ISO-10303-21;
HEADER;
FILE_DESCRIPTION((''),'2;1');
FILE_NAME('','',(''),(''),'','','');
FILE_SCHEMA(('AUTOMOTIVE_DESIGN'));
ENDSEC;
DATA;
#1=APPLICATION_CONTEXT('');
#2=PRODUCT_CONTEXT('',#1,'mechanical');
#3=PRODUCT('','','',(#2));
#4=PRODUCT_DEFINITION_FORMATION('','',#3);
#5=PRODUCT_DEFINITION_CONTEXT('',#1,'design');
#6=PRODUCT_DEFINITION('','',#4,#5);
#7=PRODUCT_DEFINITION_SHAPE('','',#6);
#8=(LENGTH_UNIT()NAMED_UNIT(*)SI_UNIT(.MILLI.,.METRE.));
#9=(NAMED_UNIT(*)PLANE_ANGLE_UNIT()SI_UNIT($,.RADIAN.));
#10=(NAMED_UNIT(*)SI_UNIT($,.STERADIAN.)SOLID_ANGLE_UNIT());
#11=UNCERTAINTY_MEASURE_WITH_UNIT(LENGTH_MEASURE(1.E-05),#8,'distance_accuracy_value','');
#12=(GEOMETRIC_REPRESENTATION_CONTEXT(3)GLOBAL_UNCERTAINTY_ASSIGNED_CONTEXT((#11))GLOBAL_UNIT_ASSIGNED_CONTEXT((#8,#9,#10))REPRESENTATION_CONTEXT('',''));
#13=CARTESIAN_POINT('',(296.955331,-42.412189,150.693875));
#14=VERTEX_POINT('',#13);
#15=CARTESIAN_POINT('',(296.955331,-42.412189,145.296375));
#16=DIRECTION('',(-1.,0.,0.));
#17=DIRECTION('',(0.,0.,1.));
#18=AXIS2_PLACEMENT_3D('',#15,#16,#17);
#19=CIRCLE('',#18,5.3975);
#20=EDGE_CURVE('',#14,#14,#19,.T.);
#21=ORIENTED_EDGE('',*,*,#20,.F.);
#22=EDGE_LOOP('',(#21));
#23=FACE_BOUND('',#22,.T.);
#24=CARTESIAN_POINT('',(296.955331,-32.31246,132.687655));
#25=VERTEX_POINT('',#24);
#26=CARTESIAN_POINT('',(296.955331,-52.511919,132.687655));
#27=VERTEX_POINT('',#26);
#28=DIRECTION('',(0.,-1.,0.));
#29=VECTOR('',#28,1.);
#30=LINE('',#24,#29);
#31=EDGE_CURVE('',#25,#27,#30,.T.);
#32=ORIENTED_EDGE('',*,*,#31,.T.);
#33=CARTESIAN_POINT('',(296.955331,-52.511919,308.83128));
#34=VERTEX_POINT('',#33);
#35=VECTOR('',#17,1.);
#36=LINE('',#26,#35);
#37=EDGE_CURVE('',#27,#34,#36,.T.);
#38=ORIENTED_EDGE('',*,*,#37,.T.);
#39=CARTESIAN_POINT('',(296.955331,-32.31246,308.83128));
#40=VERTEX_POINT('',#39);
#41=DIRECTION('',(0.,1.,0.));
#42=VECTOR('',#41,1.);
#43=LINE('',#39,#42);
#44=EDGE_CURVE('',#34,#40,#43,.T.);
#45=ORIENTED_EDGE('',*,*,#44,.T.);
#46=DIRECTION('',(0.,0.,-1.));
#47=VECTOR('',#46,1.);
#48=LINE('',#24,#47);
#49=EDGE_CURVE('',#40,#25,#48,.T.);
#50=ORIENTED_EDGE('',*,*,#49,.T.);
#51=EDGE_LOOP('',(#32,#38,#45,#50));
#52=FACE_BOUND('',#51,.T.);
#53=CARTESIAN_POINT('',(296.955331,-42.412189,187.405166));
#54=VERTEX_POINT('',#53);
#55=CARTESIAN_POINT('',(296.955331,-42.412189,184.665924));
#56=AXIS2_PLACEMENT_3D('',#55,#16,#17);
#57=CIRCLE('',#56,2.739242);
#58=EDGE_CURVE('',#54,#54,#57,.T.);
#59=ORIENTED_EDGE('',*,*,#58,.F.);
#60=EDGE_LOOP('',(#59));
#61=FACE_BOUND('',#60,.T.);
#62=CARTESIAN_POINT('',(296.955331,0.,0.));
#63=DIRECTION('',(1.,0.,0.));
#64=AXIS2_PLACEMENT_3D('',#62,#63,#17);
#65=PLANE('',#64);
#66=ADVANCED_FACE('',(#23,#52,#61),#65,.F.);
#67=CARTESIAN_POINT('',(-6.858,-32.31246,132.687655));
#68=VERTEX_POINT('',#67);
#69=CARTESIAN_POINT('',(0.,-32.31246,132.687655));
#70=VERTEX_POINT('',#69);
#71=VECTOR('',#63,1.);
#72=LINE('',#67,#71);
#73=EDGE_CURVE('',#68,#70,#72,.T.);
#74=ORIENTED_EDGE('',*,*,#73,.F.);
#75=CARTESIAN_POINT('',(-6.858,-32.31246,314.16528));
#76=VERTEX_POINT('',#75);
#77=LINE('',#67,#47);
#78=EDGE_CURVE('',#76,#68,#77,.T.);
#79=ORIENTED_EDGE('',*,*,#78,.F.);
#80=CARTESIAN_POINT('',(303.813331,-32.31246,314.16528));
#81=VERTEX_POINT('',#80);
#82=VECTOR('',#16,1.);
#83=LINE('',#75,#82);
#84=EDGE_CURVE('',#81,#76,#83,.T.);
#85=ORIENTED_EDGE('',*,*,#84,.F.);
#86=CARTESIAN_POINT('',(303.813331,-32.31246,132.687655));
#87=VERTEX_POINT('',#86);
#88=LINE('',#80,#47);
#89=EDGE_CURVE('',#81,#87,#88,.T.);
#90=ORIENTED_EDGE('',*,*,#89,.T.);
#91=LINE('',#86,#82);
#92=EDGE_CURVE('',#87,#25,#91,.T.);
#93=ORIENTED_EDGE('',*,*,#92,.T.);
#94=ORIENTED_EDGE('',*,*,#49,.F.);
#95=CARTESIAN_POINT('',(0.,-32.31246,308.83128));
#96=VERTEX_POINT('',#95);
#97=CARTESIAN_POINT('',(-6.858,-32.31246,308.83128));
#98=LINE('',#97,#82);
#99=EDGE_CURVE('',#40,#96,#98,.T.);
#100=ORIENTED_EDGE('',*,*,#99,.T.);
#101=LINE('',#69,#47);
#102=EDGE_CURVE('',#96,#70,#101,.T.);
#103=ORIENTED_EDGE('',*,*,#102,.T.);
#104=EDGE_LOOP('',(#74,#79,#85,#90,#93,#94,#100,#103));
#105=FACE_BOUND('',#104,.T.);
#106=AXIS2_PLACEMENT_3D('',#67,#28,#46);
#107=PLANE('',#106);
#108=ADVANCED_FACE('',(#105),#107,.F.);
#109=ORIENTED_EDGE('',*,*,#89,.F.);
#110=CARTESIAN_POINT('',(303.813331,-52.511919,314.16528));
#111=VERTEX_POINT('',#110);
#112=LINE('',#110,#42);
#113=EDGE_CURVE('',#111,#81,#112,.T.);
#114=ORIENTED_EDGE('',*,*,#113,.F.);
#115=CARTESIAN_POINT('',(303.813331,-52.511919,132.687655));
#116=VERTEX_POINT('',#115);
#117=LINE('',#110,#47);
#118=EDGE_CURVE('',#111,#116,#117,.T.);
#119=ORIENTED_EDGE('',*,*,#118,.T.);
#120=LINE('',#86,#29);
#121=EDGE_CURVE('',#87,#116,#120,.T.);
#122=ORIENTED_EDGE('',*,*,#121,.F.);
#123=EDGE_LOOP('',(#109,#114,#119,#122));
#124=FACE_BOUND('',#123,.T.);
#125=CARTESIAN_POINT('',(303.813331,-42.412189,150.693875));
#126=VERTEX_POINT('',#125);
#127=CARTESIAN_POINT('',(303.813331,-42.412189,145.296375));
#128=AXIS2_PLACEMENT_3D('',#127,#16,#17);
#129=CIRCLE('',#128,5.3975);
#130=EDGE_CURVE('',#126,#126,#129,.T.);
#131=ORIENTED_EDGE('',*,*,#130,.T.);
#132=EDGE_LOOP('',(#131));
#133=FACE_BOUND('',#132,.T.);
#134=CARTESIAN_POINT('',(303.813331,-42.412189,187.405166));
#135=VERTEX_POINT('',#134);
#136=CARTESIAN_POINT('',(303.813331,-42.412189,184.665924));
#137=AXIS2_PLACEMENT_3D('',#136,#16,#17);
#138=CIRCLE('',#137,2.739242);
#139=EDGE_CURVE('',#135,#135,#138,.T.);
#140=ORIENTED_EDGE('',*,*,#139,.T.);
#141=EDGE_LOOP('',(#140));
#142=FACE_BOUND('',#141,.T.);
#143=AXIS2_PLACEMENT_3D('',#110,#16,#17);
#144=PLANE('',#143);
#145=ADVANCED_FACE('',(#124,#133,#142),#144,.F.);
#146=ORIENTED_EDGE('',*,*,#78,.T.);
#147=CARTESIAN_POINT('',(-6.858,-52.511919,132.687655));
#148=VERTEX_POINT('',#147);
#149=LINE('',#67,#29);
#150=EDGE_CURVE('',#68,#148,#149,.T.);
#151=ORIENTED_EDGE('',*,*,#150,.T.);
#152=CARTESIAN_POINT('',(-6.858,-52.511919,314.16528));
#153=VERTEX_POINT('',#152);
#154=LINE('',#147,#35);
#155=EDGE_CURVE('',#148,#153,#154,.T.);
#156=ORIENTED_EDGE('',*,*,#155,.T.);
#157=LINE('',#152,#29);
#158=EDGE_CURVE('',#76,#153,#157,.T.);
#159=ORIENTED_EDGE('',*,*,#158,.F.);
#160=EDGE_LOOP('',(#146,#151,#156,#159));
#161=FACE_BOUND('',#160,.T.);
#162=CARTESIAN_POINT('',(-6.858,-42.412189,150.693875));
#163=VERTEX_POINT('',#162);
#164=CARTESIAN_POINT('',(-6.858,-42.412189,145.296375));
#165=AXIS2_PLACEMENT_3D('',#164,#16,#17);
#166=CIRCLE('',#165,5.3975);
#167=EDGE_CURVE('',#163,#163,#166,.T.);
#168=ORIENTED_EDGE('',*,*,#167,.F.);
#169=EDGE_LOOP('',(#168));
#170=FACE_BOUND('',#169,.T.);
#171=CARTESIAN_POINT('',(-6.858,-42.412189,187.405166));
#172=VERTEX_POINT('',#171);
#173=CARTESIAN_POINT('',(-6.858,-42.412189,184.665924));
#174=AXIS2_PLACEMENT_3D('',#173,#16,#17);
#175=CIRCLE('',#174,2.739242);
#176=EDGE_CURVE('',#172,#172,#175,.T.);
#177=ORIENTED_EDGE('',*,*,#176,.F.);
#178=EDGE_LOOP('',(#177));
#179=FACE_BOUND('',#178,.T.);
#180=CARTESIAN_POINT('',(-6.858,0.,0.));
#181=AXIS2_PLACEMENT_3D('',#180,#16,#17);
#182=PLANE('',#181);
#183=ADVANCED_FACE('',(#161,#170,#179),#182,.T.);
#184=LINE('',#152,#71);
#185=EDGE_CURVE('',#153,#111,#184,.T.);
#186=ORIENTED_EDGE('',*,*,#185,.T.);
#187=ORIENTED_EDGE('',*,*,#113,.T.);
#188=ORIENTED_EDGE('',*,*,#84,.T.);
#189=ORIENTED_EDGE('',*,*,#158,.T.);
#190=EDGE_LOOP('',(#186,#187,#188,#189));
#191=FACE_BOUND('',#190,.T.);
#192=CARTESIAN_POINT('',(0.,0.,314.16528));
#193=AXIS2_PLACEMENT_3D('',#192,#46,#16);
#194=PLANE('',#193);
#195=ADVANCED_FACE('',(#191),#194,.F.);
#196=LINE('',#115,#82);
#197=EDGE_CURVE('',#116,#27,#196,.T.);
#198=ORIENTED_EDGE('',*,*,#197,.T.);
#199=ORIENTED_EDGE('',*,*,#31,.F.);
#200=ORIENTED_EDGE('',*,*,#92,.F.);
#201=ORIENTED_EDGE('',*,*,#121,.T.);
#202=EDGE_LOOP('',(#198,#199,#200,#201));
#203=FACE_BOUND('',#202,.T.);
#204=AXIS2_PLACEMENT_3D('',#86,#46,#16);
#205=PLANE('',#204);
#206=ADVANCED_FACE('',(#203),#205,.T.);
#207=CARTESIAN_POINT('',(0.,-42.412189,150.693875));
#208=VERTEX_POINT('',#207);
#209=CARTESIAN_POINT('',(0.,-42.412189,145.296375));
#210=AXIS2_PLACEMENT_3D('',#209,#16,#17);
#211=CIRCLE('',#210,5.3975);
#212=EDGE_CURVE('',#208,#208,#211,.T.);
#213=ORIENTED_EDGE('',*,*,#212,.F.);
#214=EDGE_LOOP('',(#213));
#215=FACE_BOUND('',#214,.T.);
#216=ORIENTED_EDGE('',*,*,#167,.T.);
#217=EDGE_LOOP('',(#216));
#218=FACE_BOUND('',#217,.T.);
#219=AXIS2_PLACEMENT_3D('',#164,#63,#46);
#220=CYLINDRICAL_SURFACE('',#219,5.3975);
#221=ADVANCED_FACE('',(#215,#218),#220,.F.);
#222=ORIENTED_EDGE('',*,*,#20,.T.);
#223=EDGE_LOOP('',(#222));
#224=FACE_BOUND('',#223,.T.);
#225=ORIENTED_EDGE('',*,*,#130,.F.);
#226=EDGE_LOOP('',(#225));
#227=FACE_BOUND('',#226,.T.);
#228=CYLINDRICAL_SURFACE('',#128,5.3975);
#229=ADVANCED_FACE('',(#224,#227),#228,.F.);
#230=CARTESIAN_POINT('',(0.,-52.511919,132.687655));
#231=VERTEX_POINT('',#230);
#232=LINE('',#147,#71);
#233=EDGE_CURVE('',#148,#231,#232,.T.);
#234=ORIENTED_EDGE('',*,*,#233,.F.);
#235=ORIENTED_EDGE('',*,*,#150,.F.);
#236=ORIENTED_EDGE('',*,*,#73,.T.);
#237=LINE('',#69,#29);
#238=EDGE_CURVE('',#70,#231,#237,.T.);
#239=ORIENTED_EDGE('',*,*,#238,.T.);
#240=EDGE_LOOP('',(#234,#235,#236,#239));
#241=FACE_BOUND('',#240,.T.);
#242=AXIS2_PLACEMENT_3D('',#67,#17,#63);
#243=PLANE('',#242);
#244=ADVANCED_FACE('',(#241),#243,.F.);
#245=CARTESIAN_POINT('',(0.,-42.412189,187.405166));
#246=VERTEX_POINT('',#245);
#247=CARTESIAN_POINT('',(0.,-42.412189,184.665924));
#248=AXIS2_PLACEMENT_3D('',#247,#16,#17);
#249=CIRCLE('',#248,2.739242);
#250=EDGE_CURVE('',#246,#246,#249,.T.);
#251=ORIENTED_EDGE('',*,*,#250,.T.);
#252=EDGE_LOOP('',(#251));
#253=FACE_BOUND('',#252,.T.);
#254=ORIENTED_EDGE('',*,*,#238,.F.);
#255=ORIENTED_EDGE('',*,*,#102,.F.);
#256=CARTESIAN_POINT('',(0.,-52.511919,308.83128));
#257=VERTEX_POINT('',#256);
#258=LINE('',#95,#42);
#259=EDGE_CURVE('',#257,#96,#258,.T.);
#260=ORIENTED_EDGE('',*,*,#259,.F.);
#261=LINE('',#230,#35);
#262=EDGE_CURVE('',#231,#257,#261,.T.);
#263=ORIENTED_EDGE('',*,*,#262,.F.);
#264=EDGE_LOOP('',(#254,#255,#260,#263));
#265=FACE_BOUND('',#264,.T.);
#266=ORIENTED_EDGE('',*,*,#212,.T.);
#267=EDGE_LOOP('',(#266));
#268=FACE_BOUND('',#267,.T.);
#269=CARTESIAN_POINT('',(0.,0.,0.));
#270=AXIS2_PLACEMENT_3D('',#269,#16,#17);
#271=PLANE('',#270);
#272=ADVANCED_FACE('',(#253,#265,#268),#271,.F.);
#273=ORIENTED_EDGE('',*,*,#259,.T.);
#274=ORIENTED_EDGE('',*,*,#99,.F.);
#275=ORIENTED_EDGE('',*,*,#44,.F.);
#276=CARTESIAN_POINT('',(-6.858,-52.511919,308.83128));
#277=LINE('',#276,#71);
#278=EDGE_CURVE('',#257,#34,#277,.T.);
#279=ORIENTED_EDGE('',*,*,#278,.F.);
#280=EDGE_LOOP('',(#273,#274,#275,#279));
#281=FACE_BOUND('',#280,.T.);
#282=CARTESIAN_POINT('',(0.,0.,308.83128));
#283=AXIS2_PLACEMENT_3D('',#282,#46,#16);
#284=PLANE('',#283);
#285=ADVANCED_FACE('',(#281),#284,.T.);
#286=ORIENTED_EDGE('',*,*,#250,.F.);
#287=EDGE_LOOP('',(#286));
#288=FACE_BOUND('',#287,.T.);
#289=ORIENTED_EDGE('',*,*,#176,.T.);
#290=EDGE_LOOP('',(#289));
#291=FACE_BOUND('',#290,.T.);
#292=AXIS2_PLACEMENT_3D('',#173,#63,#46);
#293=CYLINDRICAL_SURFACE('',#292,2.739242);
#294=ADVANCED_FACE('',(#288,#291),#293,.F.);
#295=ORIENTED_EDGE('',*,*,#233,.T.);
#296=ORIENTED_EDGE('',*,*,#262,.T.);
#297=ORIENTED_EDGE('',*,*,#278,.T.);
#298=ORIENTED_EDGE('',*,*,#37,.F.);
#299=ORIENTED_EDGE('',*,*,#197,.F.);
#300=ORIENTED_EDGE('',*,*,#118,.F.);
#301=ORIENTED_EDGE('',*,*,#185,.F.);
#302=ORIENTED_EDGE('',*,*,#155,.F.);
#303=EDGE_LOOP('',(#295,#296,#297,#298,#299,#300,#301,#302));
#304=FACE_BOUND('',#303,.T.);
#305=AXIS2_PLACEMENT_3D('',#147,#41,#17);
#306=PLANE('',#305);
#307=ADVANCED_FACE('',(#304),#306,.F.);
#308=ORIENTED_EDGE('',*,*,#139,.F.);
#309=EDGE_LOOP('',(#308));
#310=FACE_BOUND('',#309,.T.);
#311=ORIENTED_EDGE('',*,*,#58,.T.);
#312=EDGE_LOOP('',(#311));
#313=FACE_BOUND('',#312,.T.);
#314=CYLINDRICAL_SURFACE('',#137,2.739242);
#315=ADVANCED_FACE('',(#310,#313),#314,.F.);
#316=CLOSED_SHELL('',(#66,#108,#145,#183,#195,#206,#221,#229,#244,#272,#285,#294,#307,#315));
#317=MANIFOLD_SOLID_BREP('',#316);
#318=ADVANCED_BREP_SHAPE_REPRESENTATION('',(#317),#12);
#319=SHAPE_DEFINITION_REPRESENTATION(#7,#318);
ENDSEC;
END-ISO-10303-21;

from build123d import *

# Parameters (mm, degrees)
SKETCH1_W           = 176.143624501
SKETCH1_H           = 20.199458611
SKETCH1_R           = 5.3975
SKETCH1_R_2         = 2.73924182
BOSS_EXTRUDE1_DEPTH = 6.858
SKETCH5_W           = 310.671331162
SKETCH5_H           = 20.199458611
BOSS_EXTRUDE4_DEPTH = 5.334


with BuildPart() as part:
    # Sketch1 → Boss-Extrude1 (new body)
    with BuildSketch(Plane.ZY):
        with Locations((220.759467441, -42.412189395)):
            Rectangle(SKETCH1_W, SKETCH1_H)
        with Locations((145.296375125, -42.412189394)):
            Circle(SKETCH1_R, mode=Mode.SUBTRACT)
        with Locations((184.665923862, -42.412189394)):
            Circle(SKETCH1_R_2, mode=Mode.SUBTRACT)
    boss_extrude1 = extrude(amount=BOSS_EXTRUDE1_DEPTH)

    # Sketch5 → Boss-Extrude4 (add)
    with BuildSketch(Plane.XY.offset(308.831279691)):
        with Locations((148.477665581, -42.412189395)):
            Rectangle(SKETCH5_W, SKETCH5_H)
    extrude(amount=BOSS_EXTRUDE4_DEPTH)

    # Mirror1: Boss-Extrude1 across plane
    add(boss_extrude1.mirror(Plane.ZY.offset(-148.477665581)))


solid = part.part
